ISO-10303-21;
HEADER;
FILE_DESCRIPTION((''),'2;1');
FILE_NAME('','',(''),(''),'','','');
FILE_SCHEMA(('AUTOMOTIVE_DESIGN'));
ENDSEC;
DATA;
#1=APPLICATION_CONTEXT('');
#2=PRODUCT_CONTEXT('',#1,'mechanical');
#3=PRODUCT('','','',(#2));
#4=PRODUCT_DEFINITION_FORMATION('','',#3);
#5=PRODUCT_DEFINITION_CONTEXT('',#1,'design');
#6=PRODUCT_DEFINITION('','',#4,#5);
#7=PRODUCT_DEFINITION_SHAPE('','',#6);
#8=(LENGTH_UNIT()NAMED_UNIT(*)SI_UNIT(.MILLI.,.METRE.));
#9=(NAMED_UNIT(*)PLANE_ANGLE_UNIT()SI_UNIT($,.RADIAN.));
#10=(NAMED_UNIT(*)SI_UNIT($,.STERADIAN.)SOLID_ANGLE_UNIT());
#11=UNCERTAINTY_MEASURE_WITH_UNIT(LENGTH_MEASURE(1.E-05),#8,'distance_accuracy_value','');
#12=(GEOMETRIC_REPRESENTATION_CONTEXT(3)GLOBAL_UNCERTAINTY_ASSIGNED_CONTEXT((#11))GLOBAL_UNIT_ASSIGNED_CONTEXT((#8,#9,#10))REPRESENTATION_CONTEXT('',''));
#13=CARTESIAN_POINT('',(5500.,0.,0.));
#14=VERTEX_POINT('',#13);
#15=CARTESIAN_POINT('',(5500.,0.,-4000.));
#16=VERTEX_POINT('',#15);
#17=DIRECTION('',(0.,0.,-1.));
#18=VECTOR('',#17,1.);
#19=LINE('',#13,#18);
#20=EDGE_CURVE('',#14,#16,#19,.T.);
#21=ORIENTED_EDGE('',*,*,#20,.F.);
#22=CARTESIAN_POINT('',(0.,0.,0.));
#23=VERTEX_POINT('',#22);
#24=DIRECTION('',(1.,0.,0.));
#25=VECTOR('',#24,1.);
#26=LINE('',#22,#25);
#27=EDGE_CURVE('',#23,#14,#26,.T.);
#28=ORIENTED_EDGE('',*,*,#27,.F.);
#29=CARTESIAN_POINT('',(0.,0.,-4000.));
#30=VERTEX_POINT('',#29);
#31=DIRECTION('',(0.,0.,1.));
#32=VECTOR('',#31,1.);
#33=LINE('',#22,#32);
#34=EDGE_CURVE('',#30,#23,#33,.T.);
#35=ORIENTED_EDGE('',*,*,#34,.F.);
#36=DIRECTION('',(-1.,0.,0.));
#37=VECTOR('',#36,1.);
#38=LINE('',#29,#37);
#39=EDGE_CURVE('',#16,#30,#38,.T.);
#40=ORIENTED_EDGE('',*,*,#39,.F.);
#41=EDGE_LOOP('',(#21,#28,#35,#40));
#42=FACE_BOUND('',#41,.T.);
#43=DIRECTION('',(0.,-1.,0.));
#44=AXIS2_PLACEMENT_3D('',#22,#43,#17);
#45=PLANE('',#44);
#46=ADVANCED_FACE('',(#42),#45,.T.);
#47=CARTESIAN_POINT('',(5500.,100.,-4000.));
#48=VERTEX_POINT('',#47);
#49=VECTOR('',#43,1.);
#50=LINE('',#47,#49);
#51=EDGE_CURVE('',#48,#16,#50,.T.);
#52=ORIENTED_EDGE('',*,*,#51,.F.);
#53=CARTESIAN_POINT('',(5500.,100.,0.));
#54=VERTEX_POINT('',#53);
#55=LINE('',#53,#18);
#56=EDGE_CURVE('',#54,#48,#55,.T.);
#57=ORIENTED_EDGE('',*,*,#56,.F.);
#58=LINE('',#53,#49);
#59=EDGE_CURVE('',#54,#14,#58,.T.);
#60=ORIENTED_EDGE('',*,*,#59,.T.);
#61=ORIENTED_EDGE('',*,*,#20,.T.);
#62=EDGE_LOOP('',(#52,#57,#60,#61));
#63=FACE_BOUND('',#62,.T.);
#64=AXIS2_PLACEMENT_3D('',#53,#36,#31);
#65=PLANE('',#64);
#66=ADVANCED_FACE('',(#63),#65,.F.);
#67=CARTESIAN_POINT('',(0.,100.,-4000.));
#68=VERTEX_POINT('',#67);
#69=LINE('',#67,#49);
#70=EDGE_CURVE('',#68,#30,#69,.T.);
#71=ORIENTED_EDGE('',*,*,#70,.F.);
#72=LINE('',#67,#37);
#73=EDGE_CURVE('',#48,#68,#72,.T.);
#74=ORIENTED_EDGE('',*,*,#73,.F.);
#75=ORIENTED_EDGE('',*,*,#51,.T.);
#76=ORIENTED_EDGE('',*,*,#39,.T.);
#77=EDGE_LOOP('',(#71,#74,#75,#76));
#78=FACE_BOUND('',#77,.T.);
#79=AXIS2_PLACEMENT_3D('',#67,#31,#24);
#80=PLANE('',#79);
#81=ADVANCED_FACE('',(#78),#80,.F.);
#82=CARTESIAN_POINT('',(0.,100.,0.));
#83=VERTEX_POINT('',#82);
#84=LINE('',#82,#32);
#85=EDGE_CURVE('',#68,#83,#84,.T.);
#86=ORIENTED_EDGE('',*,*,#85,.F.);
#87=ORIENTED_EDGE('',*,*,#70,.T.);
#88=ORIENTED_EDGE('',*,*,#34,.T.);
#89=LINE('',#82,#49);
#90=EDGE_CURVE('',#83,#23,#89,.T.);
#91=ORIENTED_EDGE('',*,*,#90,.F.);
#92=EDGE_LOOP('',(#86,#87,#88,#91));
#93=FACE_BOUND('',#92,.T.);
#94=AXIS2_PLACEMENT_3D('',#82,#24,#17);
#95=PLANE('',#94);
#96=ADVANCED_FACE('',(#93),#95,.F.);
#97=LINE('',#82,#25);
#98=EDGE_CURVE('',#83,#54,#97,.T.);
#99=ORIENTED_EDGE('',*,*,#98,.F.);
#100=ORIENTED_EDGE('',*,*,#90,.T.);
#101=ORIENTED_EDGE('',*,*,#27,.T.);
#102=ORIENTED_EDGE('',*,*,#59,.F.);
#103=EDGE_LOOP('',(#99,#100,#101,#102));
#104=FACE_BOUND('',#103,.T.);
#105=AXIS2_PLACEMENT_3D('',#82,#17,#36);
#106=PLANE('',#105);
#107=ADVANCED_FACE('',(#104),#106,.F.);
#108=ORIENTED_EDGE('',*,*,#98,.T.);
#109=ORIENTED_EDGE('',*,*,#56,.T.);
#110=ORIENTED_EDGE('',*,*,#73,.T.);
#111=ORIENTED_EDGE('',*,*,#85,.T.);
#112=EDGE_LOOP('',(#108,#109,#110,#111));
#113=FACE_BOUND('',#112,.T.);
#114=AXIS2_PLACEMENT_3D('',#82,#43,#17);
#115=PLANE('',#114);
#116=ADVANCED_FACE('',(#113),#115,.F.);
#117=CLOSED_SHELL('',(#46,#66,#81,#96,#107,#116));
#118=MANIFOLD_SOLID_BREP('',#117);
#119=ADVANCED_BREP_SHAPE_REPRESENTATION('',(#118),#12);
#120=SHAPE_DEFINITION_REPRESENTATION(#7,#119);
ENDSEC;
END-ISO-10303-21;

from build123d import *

# Parameters (mm, degrees)
SKETCH1_W           = 5500
SKETCH1_H           = 4000
BOSS_EXTRUDE1_DEPTH = 100


with BuildPart() as part:
    # Sketch1 → Boss-Extrude1 (new body)
    with BuildSketch(Plane(origin=(0, 0, 0), x_dir=(1, 0, 0), z_dir=(0, 1, 0))):
        with Locations((2750, 2000)):
            Rectangle(SKETCH1_W, SKETCH1_H)
    extrude(amount=BOSS_EXTRUDE1_DEPTH)


solid = part.part
